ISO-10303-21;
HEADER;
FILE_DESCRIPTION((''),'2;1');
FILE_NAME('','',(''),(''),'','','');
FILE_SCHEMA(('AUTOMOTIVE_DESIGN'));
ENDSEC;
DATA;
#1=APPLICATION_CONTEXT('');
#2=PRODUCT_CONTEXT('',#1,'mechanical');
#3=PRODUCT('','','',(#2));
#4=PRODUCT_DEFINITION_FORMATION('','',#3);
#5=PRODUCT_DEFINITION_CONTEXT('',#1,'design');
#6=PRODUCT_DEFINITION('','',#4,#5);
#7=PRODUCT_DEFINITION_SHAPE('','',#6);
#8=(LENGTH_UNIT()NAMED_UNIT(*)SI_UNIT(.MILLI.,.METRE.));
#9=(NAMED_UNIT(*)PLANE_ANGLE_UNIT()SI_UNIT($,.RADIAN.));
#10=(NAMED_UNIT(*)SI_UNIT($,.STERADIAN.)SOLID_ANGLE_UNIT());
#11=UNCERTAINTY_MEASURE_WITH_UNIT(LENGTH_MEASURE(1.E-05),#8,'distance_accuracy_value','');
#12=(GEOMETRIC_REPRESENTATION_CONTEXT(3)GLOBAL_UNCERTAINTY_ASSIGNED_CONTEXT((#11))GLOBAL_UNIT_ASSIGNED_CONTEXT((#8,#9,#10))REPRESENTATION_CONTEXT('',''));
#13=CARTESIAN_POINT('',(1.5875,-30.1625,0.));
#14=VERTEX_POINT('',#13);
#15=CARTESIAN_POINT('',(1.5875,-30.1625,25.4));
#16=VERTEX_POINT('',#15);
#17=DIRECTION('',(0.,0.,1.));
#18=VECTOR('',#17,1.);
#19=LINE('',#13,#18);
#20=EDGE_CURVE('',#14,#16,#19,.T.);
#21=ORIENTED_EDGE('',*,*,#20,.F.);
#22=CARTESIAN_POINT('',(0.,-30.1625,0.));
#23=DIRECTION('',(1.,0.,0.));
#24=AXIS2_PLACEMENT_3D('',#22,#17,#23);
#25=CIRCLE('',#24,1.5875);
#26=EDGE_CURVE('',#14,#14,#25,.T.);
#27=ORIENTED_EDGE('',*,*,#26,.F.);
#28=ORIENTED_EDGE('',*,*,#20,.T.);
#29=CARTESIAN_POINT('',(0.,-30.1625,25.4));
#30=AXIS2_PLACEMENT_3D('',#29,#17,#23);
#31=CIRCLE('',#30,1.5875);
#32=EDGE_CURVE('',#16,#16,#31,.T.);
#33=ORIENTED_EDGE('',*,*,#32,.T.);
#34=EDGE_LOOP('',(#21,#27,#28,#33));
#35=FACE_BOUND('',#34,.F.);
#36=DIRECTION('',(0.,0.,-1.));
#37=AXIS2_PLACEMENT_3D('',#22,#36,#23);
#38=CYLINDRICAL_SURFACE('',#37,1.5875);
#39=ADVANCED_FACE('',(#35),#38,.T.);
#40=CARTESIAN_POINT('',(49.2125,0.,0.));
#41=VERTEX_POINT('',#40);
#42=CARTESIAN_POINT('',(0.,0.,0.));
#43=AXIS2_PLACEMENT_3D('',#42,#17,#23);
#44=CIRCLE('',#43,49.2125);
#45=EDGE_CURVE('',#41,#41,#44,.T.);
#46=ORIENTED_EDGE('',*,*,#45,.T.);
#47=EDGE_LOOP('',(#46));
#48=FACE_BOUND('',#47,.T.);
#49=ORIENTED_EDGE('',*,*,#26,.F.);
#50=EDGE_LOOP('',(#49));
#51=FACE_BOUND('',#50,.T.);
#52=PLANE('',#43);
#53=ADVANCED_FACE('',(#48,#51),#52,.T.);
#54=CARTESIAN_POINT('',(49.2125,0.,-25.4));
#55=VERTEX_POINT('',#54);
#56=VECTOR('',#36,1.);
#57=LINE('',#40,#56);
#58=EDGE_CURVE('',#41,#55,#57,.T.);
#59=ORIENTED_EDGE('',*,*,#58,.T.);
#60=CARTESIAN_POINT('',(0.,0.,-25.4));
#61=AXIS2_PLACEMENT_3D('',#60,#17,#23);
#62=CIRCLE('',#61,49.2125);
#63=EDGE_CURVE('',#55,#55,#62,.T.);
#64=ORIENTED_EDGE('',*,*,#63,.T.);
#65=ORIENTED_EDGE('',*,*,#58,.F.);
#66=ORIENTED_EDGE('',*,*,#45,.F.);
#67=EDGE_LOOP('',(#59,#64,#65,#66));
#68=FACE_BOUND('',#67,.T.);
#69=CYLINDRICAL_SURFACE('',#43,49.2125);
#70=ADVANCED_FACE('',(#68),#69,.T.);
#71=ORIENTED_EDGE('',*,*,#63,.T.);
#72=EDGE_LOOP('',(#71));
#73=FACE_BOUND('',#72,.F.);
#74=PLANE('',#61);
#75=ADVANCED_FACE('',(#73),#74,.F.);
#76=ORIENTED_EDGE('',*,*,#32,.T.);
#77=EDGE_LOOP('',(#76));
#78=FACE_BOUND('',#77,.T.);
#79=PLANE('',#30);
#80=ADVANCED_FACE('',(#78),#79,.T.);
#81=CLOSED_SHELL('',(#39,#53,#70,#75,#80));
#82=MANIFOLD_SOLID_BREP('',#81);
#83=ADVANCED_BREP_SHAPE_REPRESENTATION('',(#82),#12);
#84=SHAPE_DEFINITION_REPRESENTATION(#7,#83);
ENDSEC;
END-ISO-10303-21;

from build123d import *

# Parameters (mm, degrees)
F0_R     = 49.2125
F1_DEPTH = 25.4
F2_R     = 1.5875
F3_DEPTH = 25.4


with BuildPart() as f1:
    # F0 (on Top) → F1 (new body)
    with BuildSketch(Plane.XY):
        Circle(F0_R)
    extrude(amount=-F1_DEPTH)

    # F2 (on face) → F3 (join)
    with BuildSketch(Plane.XY):
        with Locations((0, -30.1625)):
            Circle(F2_R)
    extrude(amount=F3_DEPTH)


solid = f1.part
